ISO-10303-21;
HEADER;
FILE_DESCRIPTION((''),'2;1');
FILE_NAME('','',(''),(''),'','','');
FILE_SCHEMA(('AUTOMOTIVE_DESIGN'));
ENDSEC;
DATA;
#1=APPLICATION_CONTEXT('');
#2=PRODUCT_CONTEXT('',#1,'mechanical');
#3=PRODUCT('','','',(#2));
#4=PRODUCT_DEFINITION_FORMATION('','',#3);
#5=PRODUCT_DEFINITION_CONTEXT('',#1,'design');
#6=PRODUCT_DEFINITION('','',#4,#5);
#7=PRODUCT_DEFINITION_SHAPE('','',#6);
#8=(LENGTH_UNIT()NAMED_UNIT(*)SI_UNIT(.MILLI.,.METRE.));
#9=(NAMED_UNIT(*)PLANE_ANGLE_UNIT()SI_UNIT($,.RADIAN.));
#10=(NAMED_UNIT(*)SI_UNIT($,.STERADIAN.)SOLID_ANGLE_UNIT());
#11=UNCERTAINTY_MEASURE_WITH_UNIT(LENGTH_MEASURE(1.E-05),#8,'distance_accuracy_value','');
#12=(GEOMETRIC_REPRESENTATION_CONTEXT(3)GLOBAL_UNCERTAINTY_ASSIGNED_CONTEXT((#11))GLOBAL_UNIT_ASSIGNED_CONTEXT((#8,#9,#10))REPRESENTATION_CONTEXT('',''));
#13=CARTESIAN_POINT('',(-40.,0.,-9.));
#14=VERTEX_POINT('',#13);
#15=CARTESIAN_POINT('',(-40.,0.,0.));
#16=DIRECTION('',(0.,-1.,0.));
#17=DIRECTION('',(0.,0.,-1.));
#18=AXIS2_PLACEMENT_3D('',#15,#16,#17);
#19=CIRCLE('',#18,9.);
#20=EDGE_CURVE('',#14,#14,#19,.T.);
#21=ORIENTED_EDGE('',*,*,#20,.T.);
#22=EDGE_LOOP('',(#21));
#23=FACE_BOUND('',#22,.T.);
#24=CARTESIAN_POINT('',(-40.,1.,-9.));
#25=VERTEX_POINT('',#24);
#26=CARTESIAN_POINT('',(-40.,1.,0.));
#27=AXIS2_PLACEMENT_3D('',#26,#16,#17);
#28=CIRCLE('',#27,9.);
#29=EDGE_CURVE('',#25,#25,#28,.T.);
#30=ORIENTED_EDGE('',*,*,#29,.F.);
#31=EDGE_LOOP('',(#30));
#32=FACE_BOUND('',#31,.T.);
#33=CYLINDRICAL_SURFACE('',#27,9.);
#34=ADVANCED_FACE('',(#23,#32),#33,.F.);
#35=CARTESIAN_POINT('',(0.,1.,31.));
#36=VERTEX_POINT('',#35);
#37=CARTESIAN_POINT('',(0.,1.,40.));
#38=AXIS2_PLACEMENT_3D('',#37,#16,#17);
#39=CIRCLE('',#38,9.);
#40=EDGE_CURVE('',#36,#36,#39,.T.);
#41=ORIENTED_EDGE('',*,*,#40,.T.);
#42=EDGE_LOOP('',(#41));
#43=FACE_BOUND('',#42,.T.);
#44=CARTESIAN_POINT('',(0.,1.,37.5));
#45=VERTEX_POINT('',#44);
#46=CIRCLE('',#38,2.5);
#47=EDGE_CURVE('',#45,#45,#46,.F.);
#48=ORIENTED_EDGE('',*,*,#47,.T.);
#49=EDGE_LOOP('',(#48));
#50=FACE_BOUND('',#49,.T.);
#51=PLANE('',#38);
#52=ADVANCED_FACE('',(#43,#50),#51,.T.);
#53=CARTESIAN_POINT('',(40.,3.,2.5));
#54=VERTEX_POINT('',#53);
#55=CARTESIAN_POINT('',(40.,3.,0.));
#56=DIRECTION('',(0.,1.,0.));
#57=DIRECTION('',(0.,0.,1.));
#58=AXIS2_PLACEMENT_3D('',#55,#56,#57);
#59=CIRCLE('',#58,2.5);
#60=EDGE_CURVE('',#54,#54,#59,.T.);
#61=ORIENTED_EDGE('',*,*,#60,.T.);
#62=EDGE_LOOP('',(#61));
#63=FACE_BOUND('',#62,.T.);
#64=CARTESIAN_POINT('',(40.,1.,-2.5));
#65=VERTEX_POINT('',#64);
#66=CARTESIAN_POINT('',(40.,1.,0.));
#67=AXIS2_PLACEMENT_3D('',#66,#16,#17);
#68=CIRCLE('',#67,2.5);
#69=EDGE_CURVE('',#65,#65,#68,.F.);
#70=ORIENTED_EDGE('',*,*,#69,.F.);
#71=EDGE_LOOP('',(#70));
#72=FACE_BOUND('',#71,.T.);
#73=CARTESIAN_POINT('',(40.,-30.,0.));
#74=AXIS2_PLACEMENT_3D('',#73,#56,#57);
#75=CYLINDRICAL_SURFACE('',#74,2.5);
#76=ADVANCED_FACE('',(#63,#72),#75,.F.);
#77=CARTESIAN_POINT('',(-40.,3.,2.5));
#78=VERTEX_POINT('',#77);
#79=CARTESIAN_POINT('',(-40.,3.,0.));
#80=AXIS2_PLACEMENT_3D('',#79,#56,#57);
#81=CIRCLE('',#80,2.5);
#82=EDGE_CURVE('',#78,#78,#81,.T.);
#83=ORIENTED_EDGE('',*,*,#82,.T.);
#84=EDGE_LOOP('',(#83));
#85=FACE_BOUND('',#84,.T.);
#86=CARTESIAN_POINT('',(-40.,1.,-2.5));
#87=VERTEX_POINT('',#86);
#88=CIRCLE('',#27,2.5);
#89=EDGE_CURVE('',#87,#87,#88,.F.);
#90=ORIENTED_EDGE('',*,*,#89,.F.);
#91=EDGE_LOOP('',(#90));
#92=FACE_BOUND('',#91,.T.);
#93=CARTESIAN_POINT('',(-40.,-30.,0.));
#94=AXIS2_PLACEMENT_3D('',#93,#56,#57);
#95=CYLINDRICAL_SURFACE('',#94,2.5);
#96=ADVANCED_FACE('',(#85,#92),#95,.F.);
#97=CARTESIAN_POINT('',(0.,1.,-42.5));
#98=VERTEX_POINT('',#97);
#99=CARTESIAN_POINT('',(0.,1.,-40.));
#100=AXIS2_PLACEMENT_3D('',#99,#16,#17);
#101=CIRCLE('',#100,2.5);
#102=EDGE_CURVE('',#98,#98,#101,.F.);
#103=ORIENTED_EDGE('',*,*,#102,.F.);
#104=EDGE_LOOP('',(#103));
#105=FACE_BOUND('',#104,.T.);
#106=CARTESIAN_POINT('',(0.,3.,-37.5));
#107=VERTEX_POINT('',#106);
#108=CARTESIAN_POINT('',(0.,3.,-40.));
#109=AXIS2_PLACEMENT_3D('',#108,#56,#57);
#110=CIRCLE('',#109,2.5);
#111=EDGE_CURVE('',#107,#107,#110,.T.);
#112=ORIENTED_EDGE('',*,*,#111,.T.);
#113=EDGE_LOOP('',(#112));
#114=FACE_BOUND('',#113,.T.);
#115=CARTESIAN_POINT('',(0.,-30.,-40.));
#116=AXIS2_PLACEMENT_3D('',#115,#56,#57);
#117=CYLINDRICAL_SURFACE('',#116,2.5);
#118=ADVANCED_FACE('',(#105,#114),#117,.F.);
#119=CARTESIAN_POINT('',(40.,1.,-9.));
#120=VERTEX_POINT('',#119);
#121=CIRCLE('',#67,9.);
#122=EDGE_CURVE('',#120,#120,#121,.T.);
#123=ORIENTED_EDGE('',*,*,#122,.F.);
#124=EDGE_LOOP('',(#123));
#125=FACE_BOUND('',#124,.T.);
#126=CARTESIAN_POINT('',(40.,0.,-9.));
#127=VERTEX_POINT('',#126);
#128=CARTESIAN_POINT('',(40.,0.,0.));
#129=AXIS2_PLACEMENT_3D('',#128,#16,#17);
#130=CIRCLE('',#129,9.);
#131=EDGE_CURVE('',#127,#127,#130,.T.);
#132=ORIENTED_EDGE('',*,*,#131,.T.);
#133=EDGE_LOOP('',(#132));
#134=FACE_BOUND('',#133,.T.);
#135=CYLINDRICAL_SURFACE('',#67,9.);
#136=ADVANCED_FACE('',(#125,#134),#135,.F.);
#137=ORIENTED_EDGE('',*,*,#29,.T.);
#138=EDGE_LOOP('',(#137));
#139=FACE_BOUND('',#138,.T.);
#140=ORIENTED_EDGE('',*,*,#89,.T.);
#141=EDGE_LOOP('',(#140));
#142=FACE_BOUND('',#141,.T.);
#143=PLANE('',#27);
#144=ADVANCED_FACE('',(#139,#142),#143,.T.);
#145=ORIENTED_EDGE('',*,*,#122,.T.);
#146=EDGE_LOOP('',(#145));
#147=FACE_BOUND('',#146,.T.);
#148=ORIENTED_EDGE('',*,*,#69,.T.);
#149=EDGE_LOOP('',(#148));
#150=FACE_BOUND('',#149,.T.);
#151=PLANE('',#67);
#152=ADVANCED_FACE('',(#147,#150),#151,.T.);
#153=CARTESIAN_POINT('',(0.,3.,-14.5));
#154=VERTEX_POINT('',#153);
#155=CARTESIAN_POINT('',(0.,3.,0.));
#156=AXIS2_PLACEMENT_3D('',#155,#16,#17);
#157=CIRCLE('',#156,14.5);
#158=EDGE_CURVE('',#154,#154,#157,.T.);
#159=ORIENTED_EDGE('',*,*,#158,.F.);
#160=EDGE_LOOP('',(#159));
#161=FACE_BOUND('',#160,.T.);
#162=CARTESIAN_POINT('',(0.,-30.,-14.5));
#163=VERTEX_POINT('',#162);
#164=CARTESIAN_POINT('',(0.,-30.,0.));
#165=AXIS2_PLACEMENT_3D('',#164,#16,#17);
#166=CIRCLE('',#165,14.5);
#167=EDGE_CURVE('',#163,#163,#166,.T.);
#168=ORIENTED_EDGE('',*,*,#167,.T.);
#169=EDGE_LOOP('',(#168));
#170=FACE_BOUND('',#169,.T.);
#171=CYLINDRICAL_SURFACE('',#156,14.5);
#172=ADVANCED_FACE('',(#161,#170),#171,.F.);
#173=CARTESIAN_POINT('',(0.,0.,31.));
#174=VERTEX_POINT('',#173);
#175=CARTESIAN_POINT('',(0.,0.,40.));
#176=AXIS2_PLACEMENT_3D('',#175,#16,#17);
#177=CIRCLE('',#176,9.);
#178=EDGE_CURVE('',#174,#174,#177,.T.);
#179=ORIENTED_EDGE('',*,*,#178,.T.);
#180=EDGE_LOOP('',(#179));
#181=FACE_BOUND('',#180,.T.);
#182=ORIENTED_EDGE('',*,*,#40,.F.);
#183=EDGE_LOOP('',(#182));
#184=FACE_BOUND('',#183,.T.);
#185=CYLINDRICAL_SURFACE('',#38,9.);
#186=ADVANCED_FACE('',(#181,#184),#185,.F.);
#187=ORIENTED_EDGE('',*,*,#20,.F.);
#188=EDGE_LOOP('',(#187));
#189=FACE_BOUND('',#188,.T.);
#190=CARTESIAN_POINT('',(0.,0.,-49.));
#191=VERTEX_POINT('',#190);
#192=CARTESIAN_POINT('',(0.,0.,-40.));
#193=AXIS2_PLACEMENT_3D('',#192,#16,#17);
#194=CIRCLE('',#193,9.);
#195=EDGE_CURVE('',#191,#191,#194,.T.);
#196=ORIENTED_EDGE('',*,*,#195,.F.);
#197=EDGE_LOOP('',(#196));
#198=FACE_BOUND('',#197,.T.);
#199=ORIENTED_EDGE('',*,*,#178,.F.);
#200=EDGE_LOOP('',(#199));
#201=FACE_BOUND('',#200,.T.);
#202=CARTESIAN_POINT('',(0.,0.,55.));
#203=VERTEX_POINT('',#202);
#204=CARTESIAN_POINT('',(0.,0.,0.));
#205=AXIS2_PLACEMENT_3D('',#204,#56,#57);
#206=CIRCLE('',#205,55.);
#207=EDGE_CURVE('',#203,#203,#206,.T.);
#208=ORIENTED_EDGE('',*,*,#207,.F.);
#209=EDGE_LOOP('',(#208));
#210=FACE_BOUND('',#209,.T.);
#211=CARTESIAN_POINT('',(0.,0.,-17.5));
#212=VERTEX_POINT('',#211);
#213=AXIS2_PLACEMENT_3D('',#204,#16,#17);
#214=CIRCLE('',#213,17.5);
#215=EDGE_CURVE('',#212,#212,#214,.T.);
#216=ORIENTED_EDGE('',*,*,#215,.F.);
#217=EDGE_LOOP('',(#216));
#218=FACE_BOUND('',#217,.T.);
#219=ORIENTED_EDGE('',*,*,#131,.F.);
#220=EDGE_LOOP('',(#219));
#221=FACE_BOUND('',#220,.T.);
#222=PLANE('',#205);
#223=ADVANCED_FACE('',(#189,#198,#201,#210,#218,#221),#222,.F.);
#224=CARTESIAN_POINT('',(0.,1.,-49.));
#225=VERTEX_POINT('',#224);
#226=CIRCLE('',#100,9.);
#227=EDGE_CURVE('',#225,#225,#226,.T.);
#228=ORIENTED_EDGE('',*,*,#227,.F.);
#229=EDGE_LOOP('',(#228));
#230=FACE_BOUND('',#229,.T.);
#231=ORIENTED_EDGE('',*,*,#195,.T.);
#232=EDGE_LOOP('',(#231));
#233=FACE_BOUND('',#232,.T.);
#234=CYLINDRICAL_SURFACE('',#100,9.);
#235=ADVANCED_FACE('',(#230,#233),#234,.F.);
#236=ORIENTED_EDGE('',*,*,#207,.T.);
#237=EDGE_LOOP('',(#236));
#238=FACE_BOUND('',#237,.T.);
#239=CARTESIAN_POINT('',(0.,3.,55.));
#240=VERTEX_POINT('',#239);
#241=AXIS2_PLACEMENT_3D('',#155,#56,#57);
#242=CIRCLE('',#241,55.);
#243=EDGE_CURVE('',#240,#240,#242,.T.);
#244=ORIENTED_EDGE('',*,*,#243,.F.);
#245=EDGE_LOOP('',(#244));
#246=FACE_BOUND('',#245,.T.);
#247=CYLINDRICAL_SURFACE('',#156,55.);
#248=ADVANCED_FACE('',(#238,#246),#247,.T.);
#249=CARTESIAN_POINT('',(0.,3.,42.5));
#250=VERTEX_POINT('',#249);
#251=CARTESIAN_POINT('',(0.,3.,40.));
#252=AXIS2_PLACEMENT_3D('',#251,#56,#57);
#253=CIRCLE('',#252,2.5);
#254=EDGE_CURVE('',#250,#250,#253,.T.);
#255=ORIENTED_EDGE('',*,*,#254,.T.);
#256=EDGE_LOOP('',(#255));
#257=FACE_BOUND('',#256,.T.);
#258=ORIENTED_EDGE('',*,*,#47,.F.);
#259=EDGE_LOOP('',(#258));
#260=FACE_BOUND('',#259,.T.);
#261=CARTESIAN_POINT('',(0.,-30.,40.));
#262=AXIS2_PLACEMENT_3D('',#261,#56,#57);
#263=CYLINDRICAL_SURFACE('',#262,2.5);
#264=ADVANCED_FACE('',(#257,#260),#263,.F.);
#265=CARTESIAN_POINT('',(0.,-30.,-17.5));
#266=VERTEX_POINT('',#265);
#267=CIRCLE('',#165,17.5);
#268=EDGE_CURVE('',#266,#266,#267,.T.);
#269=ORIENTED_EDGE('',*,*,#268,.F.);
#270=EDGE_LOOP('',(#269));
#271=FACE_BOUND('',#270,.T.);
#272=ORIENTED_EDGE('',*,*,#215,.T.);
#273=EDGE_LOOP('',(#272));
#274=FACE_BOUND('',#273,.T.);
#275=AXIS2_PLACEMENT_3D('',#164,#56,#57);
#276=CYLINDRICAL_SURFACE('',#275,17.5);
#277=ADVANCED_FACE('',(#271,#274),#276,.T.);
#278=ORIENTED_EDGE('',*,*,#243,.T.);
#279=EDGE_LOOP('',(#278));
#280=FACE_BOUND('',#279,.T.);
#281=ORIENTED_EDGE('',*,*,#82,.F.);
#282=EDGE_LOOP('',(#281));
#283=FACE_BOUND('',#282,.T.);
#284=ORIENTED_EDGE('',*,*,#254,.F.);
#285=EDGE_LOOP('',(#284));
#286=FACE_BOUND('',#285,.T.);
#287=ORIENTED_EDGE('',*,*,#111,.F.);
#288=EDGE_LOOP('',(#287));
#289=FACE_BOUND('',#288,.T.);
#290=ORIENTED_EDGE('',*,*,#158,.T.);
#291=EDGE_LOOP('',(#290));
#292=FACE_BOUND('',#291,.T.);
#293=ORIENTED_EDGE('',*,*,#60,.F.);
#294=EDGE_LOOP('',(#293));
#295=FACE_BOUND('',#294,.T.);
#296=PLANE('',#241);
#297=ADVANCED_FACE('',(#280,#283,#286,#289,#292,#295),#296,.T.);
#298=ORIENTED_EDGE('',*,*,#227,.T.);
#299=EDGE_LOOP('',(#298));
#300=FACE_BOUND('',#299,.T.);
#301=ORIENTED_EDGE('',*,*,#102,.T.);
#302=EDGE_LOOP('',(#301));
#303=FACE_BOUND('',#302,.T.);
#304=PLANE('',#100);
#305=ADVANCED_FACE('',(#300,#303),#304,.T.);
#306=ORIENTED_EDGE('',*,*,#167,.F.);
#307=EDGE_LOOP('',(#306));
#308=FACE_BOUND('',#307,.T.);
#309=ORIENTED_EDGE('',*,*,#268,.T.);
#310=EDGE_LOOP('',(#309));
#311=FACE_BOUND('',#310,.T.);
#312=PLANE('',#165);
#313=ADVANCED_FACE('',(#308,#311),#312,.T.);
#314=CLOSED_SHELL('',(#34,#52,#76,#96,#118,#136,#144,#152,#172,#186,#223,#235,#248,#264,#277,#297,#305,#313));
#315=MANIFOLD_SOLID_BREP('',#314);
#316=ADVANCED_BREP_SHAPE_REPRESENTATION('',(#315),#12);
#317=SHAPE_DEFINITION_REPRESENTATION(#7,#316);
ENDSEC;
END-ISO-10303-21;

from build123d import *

# Parameters (mm, degrees)
SKETCH1_R           = 55
BOSS_EXTRUDE1_DEPTH = 3
SKETCH2_R           = 17.5
BOSS_EXTRUDE2_DEPTH = 30
SKETCH3_R           = 14.5
CUT_EXTRUDE1_DEPTH  = 85.492603227
SKETCH4_R           = 2.5
CUT_EXTRUDE2_DEPTH  = 85.492603227
SKETCH5_R           = 9
CUT_EXTRUDE3_DEPTH  = 1


with BuildPart() as part:
    # Sketch1 → Boss-Extrude1 (new body)
    with BuildSketch(Plane(origin=(0, 0, 0), x_dir=(1, 0, 0), z_dir=(0, 1, 0))):
        with Locations(Location((0, 0, 0), (0, 0, 270))):
            Circle(SKETCH1_R)
    extrude(amount=BOSS_EXTRUDE1_DEPTH)

    # Sketch2 → Boss-Extrude2 (add)
    with BuildSketch(Plane.XZ):
        with Locations(Location((0, 0, 0), (0, 0, 270))):
            Circle(SKETCH2_R)
    extrude(amount=BOSS_EXTRUDE2_DEPTH)

    # Sketch3 → Cut-Extrude1 (cut, through all)
    with BuildSketch(Plane.XZ.offset(30)):
        with Locations(Location((0, 0, 0), (0, 0, 270))):
            Circle(SKETCH3_R)
    extrude(amount=-CUT_EXTRUDE1_DEPTH, mode=Mode.SUBTRACT)

    # Sketch4 → Cut-Extrude2 (cut, through all)
    with BuildSketch(Plane(origin=(0, 3, 0), x_dir=(1, 0, 0), z_dir=(0, 1, 0))):
        with Locations(Location((0, 40, 0), (0, 0, 270))):
            Circle(SKETCH4_R)
        with Locations(Location((40, 0, 0), (0, 0, 270))):
            Circle(SKETCH4_R)
        with Locations(Location((0, -40, 0), (0, 0, 270))):
            Circle(SKETCH4_R)
        with Locations(Location((-40, 0, 0), (0, 0, 270))):
            Circle(SKETCH4_R)
    extrude(amount=-CUT_EXTRUDE2_DEPTH, mode=Mode.SUBTRACT)

    # Sketch5 → Cut-Extrude3 (cut)
    with BuildSketch(Plane.XZ):
        with Locations(Location((0, 40, 0), (0, 0, 270))):
            Circle(SKETCH5_R)
        with Locations(Location((40, 0, 0), (0, 0, 270))):
            Circle(SKETCH5_R)
        with Locations(Location((0, -40, 0), (0, 0, 270))):
            Circle(SKETCH5_R)
        with Locations(Location((-40, 0, 0), (0, 0, 270))):
            Circle(SKETCH5_R)
    extrude(amount=-CUT_EXTRUDE3_DEPTH, mode=Mode.SUBTRACT)


solid = part.part
